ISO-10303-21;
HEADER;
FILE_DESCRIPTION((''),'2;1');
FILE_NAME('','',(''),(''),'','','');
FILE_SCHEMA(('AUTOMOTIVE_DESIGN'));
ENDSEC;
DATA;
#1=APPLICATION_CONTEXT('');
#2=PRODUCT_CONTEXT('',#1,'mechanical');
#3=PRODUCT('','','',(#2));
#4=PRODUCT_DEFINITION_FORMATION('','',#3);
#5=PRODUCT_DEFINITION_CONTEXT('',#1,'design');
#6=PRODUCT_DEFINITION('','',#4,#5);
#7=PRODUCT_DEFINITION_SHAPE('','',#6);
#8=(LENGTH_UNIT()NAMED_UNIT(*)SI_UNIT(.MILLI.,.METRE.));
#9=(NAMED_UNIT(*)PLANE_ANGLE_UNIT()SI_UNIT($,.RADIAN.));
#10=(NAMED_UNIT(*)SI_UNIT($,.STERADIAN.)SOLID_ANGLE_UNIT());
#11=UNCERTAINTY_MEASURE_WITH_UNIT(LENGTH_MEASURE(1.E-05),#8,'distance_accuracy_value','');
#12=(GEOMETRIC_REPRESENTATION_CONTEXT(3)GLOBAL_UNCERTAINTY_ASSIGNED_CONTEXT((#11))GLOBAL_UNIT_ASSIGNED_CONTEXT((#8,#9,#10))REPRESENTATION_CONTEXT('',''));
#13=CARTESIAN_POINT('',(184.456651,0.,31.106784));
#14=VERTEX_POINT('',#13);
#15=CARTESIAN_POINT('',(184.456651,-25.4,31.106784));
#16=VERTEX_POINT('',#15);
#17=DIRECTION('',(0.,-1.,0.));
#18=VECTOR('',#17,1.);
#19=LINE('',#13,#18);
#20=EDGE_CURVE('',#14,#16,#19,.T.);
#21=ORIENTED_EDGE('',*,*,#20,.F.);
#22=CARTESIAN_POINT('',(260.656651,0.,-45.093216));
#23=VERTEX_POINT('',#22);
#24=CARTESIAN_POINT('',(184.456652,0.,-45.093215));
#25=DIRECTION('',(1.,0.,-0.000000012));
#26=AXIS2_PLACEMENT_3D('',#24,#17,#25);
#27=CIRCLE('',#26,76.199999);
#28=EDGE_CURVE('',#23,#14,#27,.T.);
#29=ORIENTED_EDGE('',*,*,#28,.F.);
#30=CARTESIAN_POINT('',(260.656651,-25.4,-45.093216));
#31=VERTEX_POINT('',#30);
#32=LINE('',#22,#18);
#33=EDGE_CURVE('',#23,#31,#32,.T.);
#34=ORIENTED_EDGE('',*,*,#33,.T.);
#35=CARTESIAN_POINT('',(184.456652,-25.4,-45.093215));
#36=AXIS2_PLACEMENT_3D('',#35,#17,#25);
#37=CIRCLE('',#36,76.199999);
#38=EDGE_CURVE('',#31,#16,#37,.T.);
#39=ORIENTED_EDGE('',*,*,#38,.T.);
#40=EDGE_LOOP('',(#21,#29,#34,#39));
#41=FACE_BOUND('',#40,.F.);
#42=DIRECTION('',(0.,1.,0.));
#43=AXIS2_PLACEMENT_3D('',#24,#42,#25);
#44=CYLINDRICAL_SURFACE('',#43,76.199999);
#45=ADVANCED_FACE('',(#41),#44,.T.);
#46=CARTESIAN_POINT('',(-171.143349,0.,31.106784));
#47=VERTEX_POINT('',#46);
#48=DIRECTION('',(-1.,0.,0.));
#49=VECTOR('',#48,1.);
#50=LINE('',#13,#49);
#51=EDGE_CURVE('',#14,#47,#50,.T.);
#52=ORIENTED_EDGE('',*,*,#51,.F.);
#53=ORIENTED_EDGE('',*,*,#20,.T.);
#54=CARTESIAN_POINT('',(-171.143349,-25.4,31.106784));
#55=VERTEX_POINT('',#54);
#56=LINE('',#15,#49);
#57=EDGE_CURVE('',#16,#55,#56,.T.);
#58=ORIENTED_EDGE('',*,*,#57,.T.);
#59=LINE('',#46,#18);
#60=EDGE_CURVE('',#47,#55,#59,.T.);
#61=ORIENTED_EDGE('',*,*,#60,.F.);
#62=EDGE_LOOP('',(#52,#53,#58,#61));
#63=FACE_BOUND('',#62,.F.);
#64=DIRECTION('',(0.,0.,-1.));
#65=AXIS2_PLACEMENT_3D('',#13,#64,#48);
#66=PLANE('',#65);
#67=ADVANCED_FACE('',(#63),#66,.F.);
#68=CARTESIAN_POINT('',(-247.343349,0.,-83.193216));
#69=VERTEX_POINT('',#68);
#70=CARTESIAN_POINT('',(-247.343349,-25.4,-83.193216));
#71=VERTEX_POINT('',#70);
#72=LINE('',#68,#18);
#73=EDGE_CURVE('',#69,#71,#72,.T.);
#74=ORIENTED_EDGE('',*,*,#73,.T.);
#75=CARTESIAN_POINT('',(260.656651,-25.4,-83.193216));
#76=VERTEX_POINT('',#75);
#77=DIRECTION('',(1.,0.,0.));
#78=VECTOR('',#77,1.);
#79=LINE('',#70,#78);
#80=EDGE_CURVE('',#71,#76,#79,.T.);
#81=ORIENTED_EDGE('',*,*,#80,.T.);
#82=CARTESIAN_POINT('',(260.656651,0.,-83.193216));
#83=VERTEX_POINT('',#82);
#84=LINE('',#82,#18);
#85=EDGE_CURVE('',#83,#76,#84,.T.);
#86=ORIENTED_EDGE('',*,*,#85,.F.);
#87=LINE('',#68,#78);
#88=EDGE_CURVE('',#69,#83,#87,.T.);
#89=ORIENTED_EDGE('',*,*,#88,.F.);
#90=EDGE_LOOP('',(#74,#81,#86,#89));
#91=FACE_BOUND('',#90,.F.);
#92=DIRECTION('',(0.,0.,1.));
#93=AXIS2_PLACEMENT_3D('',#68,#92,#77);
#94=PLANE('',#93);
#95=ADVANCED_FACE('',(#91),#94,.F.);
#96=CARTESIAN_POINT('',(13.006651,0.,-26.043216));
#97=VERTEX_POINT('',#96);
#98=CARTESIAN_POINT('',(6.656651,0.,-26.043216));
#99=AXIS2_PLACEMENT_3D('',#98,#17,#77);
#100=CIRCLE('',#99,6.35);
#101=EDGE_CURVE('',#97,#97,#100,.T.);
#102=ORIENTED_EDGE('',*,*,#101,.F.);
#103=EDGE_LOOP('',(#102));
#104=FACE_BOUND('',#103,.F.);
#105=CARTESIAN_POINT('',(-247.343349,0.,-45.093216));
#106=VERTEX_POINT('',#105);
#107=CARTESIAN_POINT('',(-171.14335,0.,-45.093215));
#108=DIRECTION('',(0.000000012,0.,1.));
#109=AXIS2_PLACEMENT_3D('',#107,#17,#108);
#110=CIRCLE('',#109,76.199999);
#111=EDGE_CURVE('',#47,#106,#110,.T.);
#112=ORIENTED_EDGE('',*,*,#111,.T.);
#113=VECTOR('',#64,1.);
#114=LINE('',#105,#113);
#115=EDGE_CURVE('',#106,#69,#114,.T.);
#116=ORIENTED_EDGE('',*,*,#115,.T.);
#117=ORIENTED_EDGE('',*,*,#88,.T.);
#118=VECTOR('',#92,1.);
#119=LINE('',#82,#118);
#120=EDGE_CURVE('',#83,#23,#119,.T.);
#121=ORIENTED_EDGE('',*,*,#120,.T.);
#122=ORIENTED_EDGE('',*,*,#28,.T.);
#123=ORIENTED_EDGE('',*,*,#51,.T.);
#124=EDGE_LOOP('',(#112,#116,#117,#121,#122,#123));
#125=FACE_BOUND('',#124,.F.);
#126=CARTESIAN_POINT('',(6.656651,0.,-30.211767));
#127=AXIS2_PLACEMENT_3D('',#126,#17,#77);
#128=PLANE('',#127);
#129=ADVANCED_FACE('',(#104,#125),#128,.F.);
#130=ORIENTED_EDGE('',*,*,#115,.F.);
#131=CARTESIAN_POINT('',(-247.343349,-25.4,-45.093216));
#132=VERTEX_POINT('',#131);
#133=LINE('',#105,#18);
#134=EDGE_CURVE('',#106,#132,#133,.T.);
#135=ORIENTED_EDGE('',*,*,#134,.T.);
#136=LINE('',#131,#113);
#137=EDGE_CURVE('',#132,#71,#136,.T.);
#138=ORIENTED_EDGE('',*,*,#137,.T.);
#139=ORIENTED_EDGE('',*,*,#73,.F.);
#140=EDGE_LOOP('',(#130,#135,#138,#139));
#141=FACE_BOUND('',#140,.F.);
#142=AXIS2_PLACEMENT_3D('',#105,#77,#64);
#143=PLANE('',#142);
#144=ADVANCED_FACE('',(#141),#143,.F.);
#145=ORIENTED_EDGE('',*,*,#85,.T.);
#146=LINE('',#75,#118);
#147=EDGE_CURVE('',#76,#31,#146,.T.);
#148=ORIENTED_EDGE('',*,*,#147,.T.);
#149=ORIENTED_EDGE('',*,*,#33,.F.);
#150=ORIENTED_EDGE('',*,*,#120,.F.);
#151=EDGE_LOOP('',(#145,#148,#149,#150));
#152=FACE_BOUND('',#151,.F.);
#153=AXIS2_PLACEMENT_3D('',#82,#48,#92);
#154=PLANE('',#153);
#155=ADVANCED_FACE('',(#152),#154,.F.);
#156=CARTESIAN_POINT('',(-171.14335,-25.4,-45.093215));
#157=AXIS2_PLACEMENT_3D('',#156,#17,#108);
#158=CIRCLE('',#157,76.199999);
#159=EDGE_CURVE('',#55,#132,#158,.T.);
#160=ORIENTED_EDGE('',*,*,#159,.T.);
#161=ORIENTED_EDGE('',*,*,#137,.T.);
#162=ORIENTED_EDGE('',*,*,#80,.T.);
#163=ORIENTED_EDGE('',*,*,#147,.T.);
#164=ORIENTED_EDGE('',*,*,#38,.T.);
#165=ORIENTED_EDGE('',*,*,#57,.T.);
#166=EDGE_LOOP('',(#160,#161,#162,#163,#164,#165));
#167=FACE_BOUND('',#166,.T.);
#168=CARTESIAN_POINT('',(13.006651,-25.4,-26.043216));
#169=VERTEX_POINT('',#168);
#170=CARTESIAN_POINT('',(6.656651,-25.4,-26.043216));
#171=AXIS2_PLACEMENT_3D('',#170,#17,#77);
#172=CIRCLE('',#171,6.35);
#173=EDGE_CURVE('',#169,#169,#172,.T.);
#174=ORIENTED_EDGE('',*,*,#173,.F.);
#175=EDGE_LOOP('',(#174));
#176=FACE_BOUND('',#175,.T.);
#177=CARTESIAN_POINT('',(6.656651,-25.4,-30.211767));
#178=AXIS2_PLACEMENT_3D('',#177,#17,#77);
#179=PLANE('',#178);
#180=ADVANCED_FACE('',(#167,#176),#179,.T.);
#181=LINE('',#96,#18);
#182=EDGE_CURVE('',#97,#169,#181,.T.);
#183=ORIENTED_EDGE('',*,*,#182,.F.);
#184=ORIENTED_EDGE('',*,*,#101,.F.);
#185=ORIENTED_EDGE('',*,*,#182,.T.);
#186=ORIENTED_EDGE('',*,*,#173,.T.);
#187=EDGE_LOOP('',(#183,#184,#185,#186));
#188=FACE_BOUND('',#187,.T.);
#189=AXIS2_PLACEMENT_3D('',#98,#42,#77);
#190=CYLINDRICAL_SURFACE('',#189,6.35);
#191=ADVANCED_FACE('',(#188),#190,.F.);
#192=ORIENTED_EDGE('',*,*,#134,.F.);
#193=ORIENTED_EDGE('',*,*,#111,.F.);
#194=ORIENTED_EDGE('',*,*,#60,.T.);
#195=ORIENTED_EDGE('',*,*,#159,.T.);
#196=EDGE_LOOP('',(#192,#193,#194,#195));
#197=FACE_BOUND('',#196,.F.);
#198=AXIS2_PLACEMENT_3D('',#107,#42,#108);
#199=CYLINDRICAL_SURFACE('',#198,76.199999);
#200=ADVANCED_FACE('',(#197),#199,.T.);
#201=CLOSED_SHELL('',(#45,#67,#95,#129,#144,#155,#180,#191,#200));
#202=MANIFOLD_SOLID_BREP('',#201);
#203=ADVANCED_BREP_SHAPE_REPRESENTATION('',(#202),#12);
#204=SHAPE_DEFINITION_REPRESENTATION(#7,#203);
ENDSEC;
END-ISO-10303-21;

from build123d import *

# Parameters (mm, degrees)
F0_R     = 6.35
F1_DEPTH = 25.4


with BuildPart() as f1:
    # F0 (on Front) → F1 (new body)
    with BuildSketch(Plane.XZ):
        with BuildLine():
            Line((120.956651, 31.106784), (-107.643348, 31.106784))
            Line((-107.643348, 31.106784), (-171.143349, 31.106784))
            ThreePointArc((-171.143349, 31.106784), (-225.024886, 8.788321), (-247.343349, -45.093216))
            Line((-247.343349, -45.093216), (-247.343349, -83.193216))
            Line((-247.343349, -83.193216), (260.656651, -83.193216))
            Line((260.656651, -83.193216), (260.656651, -45.093216))
            ThreePointArc((260.656651, -45.093216), (238.338188, 8.788321), (184.456651, 31.106784))
            Line((184.456651, 31.106784), (120.956651, 31.106784))
        make_face()
        with Locations((6.656651, -26.043216)):
            Circle(F0_R, mode=Mode.SUBTRACT)
    extrude(amount=F1_DEPTH)


solid = f1.part
